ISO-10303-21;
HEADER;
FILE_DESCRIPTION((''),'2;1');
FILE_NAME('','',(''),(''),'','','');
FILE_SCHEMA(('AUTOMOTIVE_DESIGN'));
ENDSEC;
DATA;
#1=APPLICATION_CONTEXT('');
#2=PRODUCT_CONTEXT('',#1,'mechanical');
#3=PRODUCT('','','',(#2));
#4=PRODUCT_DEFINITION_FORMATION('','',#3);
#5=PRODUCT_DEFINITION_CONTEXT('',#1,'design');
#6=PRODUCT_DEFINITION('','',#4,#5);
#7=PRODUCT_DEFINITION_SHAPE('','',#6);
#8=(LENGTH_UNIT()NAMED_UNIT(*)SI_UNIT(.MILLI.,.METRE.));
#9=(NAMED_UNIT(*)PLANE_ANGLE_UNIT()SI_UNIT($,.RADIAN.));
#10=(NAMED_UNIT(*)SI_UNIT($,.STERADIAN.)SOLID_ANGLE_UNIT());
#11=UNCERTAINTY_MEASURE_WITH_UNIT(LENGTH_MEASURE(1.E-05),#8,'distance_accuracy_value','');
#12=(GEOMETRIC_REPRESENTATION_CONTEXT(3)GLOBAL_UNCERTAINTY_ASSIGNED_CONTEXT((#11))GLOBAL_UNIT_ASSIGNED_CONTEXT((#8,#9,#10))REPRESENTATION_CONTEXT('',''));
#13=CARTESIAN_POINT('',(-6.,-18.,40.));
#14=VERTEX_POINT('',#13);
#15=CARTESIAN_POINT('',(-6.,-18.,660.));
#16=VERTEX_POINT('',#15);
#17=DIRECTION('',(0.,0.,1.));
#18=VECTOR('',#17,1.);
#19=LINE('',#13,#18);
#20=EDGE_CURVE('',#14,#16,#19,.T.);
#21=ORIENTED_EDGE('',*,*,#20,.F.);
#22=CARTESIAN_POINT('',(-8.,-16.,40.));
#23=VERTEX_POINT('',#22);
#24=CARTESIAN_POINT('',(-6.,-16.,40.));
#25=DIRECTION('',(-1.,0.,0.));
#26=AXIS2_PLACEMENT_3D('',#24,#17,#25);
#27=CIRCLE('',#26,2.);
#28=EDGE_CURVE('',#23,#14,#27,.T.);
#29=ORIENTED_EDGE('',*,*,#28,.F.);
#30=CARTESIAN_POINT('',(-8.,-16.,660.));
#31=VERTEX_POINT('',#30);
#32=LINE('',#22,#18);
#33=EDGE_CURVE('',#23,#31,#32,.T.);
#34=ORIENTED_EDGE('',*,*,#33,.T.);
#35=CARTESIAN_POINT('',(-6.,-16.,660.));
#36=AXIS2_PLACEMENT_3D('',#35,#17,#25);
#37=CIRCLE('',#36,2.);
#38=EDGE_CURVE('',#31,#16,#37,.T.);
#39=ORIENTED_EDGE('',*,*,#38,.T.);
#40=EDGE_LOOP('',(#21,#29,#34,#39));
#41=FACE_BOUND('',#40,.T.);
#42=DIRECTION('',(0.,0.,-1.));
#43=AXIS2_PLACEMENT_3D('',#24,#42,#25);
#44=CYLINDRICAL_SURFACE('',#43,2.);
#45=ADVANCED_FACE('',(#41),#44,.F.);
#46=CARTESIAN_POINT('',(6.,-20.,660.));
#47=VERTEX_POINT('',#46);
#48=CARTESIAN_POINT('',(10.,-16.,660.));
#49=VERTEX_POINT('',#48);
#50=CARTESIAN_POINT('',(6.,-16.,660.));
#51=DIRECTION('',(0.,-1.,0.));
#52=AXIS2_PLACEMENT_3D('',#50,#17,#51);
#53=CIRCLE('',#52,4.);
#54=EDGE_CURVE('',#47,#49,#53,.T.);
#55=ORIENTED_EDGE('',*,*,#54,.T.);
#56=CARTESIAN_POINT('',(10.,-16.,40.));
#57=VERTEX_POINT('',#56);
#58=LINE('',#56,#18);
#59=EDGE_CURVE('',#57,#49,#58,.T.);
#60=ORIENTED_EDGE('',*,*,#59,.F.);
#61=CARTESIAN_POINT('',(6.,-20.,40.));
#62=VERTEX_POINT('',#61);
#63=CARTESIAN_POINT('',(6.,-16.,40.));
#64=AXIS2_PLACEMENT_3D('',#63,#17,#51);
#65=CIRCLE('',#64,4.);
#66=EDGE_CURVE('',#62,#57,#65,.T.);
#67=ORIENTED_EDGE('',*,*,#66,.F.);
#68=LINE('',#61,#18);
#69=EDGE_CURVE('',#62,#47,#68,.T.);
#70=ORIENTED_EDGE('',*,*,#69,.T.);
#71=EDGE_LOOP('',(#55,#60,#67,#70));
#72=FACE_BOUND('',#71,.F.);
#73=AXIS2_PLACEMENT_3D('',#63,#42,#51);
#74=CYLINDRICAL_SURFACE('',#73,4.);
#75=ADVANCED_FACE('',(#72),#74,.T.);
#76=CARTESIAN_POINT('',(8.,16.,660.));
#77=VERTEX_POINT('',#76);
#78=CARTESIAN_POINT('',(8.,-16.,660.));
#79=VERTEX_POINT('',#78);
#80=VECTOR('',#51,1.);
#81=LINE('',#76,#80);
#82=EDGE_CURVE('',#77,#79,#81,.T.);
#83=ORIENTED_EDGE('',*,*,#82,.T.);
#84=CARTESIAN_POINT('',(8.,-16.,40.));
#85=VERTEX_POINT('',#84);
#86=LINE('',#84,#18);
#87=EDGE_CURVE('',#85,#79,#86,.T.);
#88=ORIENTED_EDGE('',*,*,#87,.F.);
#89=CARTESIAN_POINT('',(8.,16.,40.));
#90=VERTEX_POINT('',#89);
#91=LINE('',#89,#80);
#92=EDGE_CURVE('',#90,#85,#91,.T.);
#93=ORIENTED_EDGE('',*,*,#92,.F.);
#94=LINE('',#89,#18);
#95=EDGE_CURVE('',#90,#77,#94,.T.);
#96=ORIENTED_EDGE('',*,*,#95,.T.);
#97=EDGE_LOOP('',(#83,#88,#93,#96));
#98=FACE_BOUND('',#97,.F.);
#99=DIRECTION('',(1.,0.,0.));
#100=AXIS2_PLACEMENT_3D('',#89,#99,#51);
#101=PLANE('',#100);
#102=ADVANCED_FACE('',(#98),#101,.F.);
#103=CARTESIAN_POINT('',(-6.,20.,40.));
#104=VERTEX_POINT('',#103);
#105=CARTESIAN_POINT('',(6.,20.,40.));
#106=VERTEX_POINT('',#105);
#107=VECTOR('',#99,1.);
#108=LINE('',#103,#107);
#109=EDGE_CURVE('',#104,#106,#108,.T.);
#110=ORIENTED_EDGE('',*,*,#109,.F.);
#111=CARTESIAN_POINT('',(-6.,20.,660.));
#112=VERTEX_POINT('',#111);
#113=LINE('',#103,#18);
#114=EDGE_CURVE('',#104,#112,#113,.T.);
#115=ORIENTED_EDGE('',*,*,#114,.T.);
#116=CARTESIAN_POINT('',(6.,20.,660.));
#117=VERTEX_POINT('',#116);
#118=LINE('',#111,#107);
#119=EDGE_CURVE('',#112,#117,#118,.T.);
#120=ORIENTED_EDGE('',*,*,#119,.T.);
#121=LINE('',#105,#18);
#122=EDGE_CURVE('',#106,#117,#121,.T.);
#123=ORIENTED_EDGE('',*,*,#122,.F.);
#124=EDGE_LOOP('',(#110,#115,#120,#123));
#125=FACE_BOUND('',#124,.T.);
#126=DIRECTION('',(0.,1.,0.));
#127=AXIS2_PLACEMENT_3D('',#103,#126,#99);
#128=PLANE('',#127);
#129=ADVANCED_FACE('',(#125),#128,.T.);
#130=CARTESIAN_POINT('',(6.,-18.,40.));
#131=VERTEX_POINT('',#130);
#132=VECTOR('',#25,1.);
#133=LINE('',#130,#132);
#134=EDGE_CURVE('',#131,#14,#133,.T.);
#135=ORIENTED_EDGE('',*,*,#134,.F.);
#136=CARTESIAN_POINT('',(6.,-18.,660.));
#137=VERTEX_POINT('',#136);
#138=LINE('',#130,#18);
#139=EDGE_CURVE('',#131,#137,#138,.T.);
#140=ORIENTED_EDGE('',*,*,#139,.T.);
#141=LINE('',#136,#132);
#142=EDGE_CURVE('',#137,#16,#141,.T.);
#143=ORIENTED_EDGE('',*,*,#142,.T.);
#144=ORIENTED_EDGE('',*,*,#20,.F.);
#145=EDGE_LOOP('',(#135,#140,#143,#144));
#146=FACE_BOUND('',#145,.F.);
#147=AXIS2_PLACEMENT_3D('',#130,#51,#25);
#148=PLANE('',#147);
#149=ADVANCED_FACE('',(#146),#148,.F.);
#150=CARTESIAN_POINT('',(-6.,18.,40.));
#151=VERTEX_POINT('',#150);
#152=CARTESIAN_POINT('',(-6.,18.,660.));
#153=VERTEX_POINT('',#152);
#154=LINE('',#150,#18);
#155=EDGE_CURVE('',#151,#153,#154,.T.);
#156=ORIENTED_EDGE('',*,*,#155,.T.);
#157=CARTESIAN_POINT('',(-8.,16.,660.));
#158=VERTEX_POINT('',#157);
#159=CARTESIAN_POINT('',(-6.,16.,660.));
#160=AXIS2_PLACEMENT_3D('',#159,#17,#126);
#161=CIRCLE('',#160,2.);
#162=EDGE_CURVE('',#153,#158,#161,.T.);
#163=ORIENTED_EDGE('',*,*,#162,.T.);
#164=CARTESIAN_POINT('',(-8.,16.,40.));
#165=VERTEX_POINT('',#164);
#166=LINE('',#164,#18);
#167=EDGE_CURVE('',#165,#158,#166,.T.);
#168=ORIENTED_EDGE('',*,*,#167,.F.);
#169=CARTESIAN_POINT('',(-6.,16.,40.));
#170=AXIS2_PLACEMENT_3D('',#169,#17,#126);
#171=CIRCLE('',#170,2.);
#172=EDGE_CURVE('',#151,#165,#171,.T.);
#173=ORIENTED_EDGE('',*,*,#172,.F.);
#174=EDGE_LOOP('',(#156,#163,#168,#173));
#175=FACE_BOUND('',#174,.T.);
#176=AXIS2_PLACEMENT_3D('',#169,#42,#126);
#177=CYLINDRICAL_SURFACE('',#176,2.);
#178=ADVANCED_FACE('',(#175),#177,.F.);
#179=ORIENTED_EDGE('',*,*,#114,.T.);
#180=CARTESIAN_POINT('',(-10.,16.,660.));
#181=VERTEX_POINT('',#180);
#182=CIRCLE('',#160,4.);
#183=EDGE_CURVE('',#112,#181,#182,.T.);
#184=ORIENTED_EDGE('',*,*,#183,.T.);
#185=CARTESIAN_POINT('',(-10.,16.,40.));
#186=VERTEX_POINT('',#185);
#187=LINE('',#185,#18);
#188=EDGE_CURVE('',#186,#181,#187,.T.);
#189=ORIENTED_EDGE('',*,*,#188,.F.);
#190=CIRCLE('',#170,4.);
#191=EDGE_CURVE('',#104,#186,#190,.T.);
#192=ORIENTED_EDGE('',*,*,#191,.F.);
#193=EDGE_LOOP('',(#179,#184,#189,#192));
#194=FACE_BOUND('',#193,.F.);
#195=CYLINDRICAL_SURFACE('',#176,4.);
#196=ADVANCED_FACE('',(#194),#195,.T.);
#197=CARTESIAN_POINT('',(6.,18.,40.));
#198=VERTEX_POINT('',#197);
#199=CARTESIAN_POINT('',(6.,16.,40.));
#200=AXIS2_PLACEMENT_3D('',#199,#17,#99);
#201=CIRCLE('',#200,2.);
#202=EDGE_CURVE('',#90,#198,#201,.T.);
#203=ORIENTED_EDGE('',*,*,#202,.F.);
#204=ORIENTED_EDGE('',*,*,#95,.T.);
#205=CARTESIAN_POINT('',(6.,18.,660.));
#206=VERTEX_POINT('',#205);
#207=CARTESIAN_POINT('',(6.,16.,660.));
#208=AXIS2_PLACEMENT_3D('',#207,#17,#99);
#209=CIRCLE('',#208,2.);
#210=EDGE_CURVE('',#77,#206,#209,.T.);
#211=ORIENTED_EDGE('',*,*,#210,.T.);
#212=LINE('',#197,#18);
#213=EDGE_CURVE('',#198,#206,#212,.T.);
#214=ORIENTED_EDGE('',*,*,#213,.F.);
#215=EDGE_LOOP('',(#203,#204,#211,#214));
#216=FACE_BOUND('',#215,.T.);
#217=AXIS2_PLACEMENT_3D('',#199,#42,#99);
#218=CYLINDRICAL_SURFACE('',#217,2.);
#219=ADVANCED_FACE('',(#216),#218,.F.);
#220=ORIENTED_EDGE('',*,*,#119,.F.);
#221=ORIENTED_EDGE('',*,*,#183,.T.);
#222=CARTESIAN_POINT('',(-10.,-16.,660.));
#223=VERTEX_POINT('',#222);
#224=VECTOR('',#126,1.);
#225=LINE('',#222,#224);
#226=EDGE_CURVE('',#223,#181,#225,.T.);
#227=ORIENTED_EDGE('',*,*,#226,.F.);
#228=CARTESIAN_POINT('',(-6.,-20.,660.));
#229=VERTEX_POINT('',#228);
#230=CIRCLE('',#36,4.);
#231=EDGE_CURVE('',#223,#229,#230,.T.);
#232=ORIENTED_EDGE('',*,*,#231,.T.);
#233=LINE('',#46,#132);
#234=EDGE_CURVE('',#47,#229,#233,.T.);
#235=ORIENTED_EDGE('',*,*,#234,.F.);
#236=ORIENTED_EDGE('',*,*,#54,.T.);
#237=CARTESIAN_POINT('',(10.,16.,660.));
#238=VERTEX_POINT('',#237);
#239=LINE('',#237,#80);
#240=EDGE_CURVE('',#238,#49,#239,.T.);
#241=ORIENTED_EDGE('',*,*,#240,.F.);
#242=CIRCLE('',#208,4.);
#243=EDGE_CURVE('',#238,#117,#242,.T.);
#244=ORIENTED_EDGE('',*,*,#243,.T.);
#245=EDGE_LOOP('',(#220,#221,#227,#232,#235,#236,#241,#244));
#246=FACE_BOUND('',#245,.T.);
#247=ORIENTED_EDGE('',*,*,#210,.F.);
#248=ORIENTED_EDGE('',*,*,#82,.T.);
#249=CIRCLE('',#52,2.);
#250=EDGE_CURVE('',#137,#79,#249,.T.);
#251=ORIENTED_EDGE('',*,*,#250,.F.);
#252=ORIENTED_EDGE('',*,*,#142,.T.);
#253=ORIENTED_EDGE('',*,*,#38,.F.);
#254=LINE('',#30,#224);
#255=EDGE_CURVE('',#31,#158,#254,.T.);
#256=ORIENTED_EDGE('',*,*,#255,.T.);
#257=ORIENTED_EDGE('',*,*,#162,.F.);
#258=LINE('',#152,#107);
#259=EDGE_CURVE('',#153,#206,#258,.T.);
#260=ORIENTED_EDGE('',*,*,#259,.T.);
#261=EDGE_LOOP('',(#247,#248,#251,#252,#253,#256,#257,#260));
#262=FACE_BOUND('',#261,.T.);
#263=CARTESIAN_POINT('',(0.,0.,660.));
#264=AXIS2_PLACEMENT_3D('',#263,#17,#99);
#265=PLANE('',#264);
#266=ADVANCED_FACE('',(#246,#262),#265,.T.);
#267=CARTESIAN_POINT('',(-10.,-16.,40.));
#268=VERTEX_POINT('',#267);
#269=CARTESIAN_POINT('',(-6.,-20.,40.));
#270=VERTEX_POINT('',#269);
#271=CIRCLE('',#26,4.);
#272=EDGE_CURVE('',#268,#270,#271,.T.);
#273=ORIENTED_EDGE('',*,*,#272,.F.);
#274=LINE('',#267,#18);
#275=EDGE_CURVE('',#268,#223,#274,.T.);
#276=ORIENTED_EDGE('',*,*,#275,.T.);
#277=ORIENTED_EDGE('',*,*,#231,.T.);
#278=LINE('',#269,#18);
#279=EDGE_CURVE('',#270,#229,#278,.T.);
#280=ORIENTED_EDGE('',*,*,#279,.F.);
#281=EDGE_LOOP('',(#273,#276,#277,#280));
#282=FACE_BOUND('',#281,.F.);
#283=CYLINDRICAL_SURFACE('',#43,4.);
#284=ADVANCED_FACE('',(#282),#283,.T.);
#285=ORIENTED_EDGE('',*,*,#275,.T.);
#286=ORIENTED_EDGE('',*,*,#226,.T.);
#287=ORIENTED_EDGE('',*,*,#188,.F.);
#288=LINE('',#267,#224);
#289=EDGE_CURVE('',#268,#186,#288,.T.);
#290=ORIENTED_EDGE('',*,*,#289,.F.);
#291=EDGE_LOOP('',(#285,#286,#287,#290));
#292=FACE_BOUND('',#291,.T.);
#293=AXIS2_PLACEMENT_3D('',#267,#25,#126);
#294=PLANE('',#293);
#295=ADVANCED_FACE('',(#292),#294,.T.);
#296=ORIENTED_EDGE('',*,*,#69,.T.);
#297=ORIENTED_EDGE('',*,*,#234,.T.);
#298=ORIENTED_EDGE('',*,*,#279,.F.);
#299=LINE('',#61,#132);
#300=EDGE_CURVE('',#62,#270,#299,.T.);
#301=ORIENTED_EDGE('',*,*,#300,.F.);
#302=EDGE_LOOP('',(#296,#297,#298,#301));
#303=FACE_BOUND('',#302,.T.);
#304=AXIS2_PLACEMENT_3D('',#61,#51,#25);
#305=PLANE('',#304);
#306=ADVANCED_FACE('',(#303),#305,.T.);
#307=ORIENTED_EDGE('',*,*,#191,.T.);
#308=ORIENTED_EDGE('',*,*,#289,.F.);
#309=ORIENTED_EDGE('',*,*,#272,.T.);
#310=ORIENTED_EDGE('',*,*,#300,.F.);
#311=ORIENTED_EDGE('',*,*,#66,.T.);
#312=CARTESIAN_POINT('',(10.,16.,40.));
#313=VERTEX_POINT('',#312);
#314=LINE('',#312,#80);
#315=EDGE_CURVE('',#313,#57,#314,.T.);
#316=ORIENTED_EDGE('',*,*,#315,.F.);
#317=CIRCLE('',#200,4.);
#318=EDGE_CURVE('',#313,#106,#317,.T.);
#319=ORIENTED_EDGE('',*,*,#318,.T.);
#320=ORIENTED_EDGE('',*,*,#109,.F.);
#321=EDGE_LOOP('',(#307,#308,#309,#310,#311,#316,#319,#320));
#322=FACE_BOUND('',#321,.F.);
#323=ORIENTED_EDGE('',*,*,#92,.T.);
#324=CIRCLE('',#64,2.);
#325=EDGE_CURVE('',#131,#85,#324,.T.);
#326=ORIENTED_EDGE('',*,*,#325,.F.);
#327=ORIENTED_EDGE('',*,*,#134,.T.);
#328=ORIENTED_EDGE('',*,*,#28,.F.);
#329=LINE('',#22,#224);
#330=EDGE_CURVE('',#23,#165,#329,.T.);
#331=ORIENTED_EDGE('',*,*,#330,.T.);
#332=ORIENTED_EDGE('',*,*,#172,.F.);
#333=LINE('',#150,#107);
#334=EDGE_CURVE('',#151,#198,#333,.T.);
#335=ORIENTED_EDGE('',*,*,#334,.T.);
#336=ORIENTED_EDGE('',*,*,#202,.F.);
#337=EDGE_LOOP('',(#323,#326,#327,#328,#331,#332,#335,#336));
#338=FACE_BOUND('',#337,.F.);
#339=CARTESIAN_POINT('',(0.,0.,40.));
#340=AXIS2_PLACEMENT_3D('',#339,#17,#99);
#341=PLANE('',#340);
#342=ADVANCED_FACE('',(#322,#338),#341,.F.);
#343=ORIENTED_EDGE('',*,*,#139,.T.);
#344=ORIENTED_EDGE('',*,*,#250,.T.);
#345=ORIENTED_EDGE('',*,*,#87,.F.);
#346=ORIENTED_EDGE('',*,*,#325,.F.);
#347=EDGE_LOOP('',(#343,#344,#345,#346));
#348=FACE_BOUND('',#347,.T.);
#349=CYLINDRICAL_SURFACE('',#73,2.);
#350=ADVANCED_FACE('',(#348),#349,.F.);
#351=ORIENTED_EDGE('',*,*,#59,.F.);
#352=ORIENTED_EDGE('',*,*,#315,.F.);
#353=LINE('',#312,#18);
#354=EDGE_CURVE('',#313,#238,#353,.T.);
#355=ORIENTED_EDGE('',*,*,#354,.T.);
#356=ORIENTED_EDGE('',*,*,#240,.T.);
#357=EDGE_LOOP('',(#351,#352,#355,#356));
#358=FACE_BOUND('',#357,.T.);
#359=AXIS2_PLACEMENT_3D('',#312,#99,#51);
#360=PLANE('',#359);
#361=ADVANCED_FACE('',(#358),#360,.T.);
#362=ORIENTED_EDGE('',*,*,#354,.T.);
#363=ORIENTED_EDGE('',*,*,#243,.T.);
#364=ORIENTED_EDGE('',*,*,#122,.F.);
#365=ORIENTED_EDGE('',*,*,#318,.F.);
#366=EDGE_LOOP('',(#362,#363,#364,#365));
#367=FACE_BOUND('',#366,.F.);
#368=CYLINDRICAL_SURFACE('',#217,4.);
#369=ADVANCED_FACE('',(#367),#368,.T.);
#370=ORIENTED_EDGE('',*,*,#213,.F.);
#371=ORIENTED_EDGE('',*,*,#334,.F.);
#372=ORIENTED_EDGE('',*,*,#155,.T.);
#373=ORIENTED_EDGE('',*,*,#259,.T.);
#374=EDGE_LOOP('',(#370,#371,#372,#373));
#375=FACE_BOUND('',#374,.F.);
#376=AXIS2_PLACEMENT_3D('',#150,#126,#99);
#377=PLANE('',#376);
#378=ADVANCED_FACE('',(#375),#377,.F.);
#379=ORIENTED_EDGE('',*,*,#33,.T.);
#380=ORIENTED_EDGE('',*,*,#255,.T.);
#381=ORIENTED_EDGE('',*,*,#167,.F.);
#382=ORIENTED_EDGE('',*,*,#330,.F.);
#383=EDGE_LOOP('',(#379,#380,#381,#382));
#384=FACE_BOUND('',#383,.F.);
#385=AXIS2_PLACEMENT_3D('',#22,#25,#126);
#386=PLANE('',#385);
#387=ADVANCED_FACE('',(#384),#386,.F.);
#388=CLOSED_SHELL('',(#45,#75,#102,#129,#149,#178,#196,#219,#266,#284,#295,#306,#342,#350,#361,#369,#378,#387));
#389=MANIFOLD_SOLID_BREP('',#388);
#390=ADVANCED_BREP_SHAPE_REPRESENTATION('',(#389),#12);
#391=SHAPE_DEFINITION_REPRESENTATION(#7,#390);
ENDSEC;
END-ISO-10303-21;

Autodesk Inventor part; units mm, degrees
ref_plane "YZ Plane" through (0, 0, 0) normal (1, 0, 0) x (0, 1, 0)
ref_plane "Start Plane" through (0, 0, 40) normal (0, 0, 1) x (1, 0, 0)
ref_plane "End Plane" through (0, 0, 660) normal (0, 0, 1) x (1, 0, 0)
sketch "Sketch" plane through (0, 0, 0) normal (0, 0, 1) x (1, 0, 0)
  line L0 (-10, -16) -> (-10, 16)
  line L1 (-6, 20) -> (6, 20)
  line L2 (10, 16) -> (10, -16)
  line L3 (6, -20) -> (-6, -20)
  arc A0 (-10, -16) -> (-6, -20) centre (-6, -16) ccw
  arc A1 (10, 16) -> (6, 20) centre (6, 16) ccw
  arc A2 (-6, 20) -> (-10, 16) centre (-6, 16) ccw
  arc A3 (6, -20) -> (10, -16) centre (6, -16) ccw
  arc A4 (-6, 18) -> (-8, 16) centre (-6, 16) ccw
  line L4 (-6, 18) -> (6, 18)
  arc A5 (8, 16) -> (6, 18) centre (6, 16) ccw
  line L5 (8, 16) -> (8, -16)
  arc A6 (6, -18) -> (8, -16) centre (6, -16) ccw
  line L6 (6, -18) -> (-6, -18)
  arc A7 (-8, -16) -> (-6, -18) centre (-6, -16) ccw
  line L7 (-8, -16) -> (-8, 16)
  line L8 (0, 29.1598) -> (0, -29.1598) construction
  line L9 (-15.1598, 0) -> (15.1598, 0) construction
  dimension "d7" = 4
  dimension "d9" = 20
  dimension "d11" = 40
  dimension "d12" = 2
  dimension "d15" = 10
  dimension "d16" = 20
extrude "Body" add sketch "Sketch" along normal up to surface (620 mm away) from surface at 40
sketch "Sketch3" plane through (0, 0, 0) normal (0, 0, 1) x (1, 0, 0)
  line L0 (0, 0) -> (10, 0)
ref_plane "Work Plane3" through (0, 0, 0) normal (0, -1, 0) x (1, 0, 0)
sketch "Sketch4" plane through (0, 0, 0) normal (0, -1, 0) x (1, 0, 0)
  line L0 (-2, 40) -> (12, 40) projected
  line L1 (-2, 660) -> (12, 660) projected
  dimension "d18" = 620
equation "\"d7\" = G_IR"
equation "\"d9\" = G_W"
equation "\"d11\" = G_H"
equation "\"d12\" = G_T"
equation "\"d15\" = 0.5 * d9"
equation "\"d16\" = 0.5 * d11"
equation "\"d3\" = G_L"
equation "\"G_W\" = 20"
equation "\"G_H\" = 40"
equation "\"G_T\" = 2"
equation "\"G_IR\" = 4"
equation "\"G_L\" = d18"
properties part number "ISO 4019 - 40x20x2 - 620" material "Steel, Mild"
